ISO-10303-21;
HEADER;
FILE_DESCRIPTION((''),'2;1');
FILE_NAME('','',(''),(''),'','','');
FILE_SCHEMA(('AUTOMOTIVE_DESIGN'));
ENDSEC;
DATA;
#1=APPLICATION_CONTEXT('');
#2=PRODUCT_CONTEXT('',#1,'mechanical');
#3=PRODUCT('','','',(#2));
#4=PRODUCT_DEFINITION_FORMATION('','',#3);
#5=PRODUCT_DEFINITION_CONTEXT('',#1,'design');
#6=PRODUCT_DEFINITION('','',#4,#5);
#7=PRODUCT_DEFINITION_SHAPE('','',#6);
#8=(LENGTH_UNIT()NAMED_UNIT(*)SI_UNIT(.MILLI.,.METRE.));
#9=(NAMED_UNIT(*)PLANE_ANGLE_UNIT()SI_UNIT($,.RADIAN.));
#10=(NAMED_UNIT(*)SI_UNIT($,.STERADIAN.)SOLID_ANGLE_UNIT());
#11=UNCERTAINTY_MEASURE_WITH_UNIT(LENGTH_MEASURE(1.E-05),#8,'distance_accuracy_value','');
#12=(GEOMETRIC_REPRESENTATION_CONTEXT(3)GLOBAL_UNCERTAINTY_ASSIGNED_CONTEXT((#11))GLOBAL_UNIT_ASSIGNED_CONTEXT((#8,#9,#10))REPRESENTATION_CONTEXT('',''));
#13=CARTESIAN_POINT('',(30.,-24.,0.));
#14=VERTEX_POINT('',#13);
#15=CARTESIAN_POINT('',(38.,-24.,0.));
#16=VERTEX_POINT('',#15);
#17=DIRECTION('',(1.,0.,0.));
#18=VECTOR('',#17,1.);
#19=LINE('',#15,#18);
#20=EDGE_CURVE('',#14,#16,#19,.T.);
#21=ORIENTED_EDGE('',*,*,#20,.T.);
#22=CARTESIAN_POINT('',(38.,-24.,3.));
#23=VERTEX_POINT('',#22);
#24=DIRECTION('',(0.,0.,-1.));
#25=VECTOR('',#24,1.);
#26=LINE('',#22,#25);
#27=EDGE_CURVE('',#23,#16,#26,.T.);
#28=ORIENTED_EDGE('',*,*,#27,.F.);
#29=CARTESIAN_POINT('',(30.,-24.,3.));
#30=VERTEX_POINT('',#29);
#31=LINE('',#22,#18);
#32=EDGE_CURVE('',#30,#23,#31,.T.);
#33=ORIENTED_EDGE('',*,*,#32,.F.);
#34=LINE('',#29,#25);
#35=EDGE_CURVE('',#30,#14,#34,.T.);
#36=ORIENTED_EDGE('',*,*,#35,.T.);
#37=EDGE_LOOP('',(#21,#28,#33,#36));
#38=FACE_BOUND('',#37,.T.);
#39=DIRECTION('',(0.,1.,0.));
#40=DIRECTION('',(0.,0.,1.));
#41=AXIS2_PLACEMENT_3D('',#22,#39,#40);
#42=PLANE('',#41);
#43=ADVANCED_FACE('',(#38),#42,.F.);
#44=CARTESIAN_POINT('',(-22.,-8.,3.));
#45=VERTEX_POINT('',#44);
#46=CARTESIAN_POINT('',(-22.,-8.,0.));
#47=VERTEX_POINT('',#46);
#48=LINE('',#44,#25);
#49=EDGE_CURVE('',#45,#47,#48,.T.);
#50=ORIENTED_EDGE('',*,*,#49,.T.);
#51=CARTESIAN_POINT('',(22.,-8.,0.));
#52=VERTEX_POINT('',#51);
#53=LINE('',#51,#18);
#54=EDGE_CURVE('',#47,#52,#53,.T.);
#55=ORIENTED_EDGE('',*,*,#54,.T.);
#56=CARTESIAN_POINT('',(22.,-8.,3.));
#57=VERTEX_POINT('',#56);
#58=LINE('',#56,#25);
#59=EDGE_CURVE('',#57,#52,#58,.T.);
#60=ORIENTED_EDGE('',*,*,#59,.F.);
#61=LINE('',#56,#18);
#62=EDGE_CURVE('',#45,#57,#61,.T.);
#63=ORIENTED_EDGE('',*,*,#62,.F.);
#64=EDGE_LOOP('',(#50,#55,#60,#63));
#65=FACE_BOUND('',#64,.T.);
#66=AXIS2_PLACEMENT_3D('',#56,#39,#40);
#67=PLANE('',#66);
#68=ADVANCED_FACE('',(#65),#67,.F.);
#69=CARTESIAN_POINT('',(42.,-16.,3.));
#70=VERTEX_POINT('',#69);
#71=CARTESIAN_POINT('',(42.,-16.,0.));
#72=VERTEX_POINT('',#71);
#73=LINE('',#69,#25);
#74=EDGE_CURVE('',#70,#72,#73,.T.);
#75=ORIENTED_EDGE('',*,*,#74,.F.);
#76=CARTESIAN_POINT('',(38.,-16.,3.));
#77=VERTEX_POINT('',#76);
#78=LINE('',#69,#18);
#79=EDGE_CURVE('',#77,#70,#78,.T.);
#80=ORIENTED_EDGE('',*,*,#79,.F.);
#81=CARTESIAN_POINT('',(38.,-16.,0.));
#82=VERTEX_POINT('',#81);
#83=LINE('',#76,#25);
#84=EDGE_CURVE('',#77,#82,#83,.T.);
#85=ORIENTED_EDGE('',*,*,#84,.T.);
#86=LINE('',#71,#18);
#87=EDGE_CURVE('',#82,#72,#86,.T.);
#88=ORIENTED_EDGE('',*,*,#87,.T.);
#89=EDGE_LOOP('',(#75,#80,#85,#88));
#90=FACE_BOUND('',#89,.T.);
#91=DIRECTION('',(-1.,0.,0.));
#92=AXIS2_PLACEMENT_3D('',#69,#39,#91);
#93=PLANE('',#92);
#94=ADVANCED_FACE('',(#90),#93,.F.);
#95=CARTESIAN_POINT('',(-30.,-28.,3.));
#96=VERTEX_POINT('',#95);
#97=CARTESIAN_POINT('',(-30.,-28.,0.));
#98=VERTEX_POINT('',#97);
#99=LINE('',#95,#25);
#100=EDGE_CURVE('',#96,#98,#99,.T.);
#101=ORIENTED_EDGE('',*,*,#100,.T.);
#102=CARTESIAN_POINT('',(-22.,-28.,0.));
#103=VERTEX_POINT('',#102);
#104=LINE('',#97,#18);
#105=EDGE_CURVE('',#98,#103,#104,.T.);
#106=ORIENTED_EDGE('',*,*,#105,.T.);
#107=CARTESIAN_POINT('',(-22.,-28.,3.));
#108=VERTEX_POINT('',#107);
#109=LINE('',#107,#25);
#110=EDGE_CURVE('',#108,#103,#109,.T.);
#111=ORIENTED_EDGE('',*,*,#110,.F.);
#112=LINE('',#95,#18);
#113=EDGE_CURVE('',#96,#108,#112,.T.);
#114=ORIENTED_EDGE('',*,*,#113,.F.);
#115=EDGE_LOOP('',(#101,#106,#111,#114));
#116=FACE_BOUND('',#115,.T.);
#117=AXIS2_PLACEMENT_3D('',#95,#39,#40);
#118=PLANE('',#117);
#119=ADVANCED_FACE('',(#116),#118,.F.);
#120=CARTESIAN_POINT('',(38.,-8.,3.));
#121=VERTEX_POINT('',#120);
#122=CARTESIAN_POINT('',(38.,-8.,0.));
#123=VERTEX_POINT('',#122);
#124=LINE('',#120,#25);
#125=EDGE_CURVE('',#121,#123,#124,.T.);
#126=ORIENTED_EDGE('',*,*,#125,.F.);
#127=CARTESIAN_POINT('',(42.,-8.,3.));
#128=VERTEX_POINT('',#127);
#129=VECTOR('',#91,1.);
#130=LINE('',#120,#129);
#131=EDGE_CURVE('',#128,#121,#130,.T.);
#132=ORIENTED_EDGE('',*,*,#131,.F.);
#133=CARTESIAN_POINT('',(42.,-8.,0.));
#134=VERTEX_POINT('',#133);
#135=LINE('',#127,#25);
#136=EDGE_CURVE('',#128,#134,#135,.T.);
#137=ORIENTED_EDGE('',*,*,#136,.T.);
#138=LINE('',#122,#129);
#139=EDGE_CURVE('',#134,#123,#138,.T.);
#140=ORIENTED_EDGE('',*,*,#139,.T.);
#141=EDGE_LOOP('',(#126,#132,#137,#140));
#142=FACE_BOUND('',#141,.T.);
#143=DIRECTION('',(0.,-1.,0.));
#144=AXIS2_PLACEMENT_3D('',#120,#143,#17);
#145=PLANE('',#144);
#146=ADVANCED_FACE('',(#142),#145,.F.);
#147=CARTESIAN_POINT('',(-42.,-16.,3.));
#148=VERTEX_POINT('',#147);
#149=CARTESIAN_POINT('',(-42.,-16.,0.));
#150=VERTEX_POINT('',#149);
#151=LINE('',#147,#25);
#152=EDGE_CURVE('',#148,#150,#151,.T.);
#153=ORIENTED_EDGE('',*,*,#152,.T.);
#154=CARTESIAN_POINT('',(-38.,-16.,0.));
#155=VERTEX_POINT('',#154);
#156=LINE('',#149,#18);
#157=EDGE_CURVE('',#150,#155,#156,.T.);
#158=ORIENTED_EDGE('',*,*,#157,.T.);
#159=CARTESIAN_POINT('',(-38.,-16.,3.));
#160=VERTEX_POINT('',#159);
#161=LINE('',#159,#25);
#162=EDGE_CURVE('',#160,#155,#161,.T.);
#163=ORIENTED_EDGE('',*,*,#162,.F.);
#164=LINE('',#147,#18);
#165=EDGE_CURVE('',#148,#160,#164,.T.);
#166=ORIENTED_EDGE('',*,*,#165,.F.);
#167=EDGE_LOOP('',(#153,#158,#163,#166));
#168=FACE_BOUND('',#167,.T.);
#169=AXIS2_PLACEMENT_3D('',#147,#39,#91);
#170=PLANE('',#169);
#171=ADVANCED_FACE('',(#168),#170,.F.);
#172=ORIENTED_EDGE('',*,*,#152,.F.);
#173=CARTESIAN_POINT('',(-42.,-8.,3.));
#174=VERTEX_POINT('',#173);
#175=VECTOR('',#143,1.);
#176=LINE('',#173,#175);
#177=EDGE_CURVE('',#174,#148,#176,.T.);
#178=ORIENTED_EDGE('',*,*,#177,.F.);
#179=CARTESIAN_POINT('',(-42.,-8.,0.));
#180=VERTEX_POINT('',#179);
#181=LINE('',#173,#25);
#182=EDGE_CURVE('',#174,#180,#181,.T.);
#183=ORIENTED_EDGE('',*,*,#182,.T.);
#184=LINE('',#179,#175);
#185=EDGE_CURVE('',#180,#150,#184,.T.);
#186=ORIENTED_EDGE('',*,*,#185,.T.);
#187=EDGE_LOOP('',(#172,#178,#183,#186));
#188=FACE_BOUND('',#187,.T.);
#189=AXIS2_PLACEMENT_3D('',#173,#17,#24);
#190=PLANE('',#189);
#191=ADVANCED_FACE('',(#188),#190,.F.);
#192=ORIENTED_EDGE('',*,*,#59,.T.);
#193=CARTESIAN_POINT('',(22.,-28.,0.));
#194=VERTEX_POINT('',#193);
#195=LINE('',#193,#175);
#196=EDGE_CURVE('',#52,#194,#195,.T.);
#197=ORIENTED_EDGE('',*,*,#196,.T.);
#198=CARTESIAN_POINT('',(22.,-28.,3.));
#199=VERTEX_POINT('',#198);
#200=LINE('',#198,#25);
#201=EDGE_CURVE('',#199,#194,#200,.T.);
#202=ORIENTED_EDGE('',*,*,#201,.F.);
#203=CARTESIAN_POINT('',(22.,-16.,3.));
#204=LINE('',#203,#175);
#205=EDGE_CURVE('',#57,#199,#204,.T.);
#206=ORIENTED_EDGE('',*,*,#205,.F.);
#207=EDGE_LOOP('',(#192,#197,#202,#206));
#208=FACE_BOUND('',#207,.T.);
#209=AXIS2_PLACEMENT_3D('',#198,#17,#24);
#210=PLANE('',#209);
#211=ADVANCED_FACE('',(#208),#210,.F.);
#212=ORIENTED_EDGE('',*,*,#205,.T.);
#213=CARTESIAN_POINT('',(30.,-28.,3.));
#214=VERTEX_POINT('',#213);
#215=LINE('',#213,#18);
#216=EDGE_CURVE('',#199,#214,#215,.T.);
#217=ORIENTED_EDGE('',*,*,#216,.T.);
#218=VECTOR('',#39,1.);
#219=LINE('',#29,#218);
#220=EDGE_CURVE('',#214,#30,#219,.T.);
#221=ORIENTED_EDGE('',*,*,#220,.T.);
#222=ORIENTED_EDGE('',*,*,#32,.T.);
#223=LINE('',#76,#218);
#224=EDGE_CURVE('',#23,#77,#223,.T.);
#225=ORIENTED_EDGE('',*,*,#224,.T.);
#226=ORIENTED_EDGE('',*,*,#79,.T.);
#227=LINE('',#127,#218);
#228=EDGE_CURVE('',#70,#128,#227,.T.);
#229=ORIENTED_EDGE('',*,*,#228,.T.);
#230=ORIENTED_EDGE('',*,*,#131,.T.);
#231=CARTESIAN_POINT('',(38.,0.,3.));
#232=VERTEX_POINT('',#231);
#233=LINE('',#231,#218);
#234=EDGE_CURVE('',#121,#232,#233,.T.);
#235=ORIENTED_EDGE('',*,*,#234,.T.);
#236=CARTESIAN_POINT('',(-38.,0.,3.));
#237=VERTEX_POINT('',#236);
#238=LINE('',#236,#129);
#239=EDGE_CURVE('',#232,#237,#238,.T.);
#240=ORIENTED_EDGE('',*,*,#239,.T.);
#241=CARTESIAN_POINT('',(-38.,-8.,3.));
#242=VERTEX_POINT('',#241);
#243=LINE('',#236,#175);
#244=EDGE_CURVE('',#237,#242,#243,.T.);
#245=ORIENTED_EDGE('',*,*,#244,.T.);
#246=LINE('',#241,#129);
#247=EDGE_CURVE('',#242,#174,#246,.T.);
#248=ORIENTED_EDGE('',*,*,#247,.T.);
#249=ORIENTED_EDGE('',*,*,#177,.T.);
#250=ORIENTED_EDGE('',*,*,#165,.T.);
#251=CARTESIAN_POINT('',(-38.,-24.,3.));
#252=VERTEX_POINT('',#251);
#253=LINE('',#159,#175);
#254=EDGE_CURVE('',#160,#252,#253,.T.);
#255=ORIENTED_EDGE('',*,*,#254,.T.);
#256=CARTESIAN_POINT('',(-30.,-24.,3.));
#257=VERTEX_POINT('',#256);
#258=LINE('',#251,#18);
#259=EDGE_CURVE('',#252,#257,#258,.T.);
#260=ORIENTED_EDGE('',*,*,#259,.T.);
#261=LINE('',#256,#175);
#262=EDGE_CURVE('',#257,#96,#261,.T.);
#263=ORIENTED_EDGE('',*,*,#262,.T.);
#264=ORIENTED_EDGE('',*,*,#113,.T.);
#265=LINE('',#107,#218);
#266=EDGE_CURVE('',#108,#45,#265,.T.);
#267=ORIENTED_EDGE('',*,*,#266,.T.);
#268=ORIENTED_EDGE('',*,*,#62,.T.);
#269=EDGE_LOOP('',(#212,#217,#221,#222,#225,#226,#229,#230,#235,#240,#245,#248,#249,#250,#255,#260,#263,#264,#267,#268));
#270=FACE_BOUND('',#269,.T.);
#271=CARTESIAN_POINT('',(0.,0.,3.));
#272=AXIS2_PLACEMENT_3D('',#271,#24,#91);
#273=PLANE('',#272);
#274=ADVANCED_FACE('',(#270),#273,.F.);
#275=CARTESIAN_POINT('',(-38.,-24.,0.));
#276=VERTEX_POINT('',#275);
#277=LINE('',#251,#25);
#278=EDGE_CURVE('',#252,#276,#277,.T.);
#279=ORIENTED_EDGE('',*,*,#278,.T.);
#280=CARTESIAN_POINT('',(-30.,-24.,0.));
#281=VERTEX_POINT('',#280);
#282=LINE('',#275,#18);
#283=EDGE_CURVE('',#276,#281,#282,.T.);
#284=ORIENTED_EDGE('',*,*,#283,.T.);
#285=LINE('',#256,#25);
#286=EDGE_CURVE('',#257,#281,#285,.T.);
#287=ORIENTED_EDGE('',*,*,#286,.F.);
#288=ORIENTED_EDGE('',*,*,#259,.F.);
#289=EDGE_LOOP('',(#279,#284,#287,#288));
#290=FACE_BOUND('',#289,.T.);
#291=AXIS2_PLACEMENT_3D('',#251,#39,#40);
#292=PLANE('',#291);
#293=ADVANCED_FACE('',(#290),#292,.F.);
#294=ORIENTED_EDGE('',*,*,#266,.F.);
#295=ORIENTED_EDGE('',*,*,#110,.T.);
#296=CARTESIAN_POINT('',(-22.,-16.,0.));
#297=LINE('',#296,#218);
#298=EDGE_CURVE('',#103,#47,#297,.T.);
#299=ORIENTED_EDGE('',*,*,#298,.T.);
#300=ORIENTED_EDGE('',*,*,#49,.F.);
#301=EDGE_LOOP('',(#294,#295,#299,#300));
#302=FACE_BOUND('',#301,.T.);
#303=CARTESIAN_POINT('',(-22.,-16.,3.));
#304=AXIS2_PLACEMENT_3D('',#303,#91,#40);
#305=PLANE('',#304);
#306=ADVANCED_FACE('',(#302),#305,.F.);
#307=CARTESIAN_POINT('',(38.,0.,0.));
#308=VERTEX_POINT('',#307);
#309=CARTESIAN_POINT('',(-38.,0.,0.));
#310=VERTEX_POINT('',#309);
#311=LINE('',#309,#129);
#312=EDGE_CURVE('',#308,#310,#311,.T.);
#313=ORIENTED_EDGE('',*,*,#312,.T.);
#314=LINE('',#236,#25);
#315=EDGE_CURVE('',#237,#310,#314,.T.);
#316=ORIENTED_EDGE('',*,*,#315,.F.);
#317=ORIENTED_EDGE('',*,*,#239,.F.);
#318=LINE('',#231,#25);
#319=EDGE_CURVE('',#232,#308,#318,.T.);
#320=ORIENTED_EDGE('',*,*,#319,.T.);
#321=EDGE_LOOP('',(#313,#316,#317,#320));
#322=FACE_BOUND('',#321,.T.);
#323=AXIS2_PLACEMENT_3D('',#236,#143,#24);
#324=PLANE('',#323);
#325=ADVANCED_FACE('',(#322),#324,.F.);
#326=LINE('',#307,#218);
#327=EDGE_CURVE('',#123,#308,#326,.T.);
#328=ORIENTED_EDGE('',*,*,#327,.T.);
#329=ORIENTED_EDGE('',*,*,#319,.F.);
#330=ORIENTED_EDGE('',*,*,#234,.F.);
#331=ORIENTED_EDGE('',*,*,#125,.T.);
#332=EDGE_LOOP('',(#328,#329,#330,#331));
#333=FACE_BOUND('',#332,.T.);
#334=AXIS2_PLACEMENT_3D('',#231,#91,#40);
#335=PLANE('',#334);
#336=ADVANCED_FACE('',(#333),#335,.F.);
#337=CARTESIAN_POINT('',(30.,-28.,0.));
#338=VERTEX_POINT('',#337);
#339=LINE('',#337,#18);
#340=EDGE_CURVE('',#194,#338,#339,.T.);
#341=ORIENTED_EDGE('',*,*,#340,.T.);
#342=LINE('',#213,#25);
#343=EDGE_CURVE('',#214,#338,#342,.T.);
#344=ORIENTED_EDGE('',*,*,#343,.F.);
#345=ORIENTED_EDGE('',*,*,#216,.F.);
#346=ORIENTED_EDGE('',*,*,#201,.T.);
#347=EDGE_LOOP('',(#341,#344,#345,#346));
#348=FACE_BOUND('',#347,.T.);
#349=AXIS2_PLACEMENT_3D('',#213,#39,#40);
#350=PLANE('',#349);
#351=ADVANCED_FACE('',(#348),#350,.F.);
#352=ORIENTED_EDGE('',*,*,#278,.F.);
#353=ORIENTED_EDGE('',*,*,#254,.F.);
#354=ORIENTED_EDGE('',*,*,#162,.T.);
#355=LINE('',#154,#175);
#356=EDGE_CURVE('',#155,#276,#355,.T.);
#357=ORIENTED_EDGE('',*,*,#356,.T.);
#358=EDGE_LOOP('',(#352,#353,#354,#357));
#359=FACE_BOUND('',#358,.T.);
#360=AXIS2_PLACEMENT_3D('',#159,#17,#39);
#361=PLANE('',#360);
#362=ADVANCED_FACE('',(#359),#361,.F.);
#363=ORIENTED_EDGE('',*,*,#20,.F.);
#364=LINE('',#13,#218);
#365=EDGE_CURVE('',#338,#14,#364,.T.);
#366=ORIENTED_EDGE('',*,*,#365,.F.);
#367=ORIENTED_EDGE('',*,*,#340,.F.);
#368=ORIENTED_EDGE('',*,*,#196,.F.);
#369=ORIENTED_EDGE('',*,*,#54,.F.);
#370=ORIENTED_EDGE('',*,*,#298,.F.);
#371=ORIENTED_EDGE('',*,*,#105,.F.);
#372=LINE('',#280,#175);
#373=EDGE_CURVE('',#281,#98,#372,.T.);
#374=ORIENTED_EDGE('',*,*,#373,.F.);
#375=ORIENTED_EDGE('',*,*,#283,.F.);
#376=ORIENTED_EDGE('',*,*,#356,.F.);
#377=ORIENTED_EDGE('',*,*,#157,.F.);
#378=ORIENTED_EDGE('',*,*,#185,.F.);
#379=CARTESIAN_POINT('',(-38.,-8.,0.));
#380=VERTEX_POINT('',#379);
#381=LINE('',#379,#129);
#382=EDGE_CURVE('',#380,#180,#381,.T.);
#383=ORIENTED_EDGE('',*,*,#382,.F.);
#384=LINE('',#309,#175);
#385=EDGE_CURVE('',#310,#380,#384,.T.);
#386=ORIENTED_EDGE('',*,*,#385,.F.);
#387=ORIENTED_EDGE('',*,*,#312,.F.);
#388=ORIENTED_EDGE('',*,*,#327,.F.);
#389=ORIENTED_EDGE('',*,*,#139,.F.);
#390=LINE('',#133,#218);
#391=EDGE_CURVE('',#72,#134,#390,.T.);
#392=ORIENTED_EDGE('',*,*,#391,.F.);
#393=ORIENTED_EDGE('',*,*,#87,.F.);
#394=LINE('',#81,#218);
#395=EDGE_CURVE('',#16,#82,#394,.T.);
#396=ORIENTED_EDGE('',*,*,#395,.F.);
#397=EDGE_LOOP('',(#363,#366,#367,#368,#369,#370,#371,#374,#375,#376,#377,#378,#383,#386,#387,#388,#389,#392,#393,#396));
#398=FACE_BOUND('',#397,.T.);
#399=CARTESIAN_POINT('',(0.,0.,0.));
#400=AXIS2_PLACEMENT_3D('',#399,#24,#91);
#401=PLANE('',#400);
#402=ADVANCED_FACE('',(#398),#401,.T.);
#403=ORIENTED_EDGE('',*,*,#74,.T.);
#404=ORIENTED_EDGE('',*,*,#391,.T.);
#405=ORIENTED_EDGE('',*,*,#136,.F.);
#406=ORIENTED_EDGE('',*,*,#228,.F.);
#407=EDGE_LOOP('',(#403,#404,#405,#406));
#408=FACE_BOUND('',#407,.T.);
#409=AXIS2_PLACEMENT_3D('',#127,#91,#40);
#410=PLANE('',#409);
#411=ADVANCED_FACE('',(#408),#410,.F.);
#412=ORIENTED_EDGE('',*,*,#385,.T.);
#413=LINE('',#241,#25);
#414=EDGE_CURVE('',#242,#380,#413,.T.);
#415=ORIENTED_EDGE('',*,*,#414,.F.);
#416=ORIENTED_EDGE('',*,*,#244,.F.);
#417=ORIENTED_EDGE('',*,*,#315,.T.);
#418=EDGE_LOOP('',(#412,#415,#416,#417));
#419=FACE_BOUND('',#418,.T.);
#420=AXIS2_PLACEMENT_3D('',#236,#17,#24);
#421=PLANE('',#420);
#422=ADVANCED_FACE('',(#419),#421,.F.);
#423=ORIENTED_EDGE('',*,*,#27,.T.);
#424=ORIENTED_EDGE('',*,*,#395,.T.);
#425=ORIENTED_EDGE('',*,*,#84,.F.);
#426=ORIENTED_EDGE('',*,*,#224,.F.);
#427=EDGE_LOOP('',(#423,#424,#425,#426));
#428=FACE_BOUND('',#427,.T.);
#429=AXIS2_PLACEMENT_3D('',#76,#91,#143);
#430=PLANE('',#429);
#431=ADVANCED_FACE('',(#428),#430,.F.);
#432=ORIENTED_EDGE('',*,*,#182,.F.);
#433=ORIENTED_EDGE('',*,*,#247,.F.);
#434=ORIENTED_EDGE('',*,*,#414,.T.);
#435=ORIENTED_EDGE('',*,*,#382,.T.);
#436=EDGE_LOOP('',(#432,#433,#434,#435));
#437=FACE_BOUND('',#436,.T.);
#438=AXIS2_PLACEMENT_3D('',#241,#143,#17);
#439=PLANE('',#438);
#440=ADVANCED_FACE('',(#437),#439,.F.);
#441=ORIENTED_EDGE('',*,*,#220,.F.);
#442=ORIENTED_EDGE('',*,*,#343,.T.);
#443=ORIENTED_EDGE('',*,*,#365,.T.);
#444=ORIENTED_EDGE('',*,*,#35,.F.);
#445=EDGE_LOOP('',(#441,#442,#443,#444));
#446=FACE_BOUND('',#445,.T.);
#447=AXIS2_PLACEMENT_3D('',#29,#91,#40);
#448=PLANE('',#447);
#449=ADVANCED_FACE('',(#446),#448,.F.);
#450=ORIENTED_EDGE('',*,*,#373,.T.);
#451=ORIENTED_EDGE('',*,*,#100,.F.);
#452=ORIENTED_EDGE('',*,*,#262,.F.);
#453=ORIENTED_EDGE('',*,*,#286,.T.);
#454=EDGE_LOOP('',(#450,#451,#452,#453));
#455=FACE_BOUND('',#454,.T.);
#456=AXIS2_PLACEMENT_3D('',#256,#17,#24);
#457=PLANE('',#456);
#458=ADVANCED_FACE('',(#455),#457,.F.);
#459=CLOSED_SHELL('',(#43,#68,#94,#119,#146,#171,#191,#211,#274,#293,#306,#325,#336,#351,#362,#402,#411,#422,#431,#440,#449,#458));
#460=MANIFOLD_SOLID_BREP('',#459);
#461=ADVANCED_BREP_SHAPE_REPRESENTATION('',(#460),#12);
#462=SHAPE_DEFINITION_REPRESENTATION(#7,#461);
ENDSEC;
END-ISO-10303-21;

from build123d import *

# Parameters (mm, degrees)
EXTRUDE_1_DEPTH = 3


with BuildPart() as part:
    # 草图1 → 凸台-拉伸1 (new body)
    with BuildSketch(Plane.XY):
        Polygon((-38, 0), (38, 0), (38, -8), (42, -8), (42, -16), (38, -16), (38, -24), (30, -24), (30, -28), (22, -28), (22, -24), (22, -16), (22, -8), (-22, -8), (-22, -16), (-22, -24), (-22, -28), (-30, -28), (-30, -24), (-38, -24), (-38, -16), (-42, -16), (-42, -8), (-38, -8), align=None)
    extrude(amount=EXTRUDE_1_DEPTH)


solid = part.part
